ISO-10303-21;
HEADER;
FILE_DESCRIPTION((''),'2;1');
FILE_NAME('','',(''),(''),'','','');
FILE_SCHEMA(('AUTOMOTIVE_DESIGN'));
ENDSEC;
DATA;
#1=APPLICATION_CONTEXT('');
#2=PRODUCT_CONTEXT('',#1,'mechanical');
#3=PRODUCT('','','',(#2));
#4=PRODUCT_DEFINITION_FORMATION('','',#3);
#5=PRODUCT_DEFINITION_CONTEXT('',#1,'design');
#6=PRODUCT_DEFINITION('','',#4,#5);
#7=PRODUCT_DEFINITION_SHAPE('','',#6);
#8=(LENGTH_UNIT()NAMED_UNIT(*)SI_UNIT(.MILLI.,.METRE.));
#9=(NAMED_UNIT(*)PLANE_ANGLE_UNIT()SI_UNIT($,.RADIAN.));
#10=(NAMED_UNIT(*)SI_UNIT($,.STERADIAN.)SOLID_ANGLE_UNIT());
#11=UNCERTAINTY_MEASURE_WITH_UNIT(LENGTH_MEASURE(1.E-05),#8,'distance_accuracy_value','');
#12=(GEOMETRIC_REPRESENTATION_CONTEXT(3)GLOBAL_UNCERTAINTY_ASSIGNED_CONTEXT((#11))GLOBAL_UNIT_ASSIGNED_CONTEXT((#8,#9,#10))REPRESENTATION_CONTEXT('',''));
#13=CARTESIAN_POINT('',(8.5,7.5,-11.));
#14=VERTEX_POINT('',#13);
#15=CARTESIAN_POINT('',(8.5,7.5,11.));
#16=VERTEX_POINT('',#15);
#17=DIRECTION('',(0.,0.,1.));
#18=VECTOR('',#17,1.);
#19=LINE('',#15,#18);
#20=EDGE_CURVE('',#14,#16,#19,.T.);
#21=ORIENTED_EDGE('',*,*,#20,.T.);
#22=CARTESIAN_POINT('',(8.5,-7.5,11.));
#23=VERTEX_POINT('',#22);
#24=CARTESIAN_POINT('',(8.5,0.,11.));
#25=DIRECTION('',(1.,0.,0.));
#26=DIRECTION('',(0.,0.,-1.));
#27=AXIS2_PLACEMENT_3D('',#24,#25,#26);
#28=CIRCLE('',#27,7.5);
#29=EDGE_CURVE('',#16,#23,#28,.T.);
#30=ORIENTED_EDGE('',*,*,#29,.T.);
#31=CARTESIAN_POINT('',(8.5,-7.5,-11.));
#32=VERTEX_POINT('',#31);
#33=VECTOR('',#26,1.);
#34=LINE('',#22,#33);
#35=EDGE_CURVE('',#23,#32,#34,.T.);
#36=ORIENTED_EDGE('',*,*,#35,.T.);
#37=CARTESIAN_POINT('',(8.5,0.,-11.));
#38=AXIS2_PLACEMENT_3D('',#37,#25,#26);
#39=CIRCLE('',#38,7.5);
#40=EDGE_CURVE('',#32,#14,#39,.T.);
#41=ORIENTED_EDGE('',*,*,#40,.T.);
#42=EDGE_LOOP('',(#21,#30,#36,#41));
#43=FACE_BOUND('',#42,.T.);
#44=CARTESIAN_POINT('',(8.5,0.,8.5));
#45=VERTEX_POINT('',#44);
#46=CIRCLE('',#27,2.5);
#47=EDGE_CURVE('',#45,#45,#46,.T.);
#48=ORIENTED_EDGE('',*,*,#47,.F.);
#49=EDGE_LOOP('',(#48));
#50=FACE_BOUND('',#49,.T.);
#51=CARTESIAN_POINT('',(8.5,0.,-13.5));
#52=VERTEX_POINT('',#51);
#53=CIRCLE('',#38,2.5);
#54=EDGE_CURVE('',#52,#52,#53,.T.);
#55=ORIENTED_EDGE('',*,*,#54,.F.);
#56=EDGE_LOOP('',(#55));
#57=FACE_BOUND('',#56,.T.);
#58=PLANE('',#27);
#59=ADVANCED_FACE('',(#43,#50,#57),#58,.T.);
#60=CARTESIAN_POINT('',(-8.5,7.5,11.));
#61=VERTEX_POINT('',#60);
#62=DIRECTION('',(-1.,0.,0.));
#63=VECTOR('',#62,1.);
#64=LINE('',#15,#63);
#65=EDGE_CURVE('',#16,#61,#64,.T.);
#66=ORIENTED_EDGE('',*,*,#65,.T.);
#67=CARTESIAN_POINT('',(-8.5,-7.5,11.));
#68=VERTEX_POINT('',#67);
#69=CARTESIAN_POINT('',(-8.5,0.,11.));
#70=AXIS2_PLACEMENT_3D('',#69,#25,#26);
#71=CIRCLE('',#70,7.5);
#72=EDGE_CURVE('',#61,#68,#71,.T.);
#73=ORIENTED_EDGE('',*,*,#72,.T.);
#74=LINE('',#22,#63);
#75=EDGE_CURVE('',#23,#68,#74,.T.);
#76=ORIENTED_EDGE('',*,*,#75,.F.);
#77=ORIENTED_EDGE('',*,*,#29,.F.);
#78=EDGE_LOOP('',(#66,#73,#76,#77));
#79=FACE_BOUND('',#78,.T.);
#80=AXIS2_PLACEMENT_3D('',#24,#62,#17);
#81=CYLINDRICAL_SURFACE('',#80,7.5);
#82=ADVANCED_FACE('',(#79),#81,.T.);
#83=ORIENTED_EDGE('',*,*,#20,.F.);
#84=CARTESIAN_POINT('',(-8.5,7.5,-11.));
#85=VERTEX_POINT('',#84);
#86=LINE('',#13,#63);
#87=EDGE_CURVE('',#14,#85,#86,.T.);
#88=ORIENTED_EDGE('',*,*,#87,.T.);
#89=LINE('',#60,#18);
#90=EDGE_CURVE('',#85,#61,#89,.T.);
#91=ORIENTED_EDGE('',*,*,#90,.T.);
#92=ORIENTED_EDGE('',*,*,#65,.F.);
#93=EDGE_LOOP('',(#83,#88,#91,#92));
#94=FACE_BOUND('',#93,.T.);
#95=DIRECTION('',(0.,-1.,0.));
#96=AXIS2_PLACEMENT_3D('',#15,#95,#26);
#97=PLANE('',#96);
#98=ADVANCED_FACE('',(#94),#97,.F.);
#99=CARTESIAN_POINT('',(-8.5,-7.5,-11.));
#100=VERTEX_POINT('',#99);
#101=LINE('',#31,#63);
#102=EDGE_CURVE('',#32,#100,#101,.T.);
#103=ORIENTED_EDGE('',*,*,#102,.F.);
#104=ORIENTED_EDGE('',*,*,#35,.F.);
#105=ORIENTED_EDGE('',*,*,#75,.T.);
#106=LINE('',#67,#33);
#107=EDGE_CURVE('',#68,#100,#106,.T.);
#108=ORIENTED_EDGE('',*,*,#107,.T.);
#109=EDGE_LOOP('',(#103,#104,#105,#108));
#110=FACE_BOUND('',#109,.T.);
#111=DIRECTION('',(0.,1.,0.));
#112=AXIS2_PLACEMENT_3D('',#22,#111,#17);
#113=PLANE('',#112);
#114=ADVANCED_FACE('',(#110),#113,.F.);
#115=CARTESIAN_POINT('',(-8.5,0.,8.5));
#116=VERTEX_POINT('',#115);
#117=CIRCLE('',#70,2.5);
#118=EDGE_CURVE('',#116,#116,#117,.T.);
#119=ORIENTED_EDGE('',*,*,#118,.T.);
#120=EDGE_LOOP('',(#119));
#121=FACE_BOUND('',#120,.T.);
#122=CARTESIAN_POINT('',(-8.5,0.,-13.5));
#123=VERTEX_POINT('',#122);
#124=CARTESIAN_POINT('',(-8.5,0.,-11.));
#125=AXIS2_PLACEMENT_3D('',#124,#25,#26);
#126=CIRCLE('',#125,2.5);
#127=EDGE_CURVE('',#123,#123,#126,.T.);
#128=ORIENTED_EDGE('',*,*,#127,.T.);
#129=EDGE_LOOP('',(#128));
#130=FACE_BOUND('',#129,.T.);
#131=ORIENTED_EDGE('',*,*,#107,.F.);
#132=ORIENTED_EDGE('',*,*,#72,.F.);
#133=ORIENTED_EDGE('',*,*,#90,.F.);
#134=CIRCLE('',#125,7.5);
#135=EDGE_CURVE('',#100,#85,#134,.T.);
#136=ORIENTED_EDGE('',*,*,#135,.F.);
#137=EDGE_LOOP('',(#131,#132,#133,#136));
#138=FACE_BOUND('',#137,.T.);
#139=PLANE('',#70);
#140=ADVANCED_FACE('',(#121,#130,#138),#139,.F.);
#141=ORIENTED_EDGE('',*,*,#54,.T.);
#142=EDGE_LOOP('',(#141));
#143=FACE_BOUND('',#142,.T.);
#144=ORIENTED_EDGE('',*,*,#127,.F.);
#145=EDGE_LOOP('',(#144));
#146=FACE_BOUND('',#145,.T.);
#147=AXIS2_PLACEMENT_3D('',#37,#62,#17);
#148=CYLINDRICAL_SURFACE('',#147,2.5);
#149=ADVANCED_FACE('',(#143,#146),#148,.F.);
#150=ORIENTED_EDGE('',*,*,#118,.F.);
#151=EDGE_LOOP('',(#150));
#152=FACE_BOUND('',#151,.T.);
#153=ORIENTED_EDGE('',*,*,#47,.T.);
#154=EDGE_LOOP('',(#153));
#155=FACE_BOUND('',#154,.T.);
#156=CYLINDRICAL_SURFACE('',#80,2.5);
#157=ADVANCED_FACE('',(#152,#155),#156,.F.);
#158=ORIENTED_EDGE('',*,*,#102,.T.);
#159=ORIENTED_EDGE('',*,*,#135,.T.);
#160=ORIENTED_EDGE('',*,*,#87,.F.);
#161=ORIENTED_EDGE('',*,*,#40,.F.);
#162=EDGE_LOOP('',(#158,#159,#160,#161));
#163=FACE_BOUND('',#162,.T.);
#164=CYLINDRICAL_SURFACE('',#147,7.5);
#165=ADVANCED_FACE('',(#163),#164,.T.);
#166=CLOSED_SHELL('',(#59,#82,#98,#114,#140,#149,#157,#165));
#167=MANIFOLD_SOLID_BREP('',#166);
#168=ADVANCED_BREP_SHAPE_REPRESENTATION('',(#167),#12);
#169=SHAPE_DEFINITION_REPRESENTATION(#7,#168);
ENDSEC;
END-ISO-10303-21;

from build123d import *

# Parameters (mm, degrees)
CROQUIS1_R              = 2.5
SALIENTE_EXTRUIR1_DEPTH = 8.5


with BuildPart() as part:
    # Croquis1 → Saliente-Extruir1 (new, symmetric)
    with BuildSketch(Plane(origin=(0, 0, 0), x_dir=(0, 0, -1), z_dir=(1, 0, 0))):
        with BuildLine():
            Line((-11, 7.5), (11, 7.5))
            ThreePointArc((11, 7.5), (18.5, 0), (11, -7.5))
            Line((11, -7.5), (-11, -7.5))
            ThreePointArc((-11, -7.5), (-18.5, 0), (-11, 7.5))
        make_face()
        with Locations((-11, 0)):
            Circle(CROQUIS1_R, mode=Mode.SUBTRACT)
        with Locations((11, 0)):
            Circle(CROQUIS1_R, mode=Mode.SUBTRACT)
    extrude(amount=SALIENTE_EXTRUIR1_DEPTH, both=True)


solid = part.part
